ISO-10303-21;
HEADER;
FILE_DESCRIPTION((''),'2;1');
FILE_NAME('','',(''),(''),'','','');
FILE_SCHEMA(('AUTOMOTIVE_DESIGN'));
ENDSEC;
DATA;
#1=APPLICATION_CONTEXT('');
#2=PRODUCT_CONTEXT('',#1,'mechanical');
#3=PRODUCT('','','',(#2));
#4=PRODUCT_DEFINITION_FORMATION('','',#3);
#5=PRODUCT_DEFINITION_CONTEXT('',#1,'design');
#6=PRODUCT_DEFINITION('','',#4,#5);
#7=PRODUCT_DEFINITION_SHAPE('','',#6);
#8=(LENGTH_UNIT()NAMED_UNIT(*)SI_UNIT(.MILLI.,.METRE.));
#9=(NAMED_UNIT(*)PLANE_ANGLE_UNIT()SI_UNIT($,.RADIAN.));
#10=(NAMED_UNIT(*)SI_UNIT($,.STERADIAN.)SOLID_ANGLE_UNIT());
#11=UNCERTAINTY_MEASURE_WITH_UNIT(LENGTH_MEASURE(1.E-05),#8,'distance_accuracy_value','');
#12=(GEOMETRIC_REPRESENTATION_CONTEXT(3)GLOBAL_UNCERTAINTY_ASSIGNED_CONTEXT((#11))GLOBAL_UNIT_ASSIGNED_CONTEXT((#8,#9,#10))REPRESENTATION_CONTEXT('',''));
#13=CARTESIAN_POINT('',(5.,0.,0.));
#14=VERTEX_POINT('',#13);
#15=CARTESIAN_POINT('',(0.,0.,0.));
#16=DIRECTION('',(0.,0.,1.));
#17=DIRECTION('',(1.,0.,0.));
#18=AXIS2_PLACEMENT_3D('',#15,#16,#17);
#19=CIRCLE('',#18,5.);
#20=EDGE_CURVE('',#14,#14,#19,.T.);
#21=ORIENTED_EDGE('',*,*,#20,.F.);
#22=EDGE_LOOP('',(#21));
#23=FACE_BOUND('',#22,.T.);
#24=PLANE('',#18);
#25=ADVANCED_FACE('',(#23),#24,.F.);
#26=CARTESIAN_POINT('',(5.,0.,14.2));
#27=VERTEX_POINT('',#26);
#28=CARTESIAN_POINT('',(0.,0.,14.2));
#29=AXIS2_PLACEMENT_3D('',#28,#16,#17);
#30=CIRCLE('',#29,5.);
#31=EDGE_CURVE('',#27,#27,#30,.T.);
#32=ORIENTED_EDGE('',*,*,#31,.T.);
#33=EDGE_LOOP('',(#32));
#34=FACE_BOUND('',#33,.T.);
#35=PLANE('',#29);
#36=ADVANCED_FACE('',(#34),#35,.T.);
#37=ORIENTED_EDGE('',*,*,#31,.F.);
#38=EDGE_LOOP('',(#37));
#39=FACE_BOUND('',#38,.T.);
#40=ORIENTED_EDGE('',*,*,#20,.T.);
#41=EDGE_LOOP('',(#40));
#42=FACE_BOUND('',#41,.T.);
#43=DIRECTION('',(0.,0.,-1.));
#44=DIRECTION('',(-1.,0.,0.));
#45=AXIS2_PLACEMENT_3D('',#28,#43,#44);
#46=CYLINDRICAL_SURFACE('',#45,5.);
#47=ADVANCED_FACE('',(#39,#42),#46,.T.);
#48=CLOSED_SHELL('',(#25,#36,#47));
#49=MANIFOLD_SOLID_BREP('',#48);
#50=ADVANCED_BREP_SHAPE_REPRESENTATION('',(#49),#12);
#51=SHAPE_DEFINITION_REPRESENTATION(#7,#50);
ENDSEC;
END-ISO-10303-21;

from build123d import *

# Parameters (mm, degrees)
SKETCH1_R           = 5
BOSS_EXTRUDE1_DEPTH = 14.2


with BuildPart() as part:
    # Sketch1 → Boss-Extrude1 (new body)
    with BuildSketch(Plane.XY):
        Circle(SKETCH1_R)
    extrude(amount=BOSS_EXTRUDE1_DEPTH)


solid = part.part
